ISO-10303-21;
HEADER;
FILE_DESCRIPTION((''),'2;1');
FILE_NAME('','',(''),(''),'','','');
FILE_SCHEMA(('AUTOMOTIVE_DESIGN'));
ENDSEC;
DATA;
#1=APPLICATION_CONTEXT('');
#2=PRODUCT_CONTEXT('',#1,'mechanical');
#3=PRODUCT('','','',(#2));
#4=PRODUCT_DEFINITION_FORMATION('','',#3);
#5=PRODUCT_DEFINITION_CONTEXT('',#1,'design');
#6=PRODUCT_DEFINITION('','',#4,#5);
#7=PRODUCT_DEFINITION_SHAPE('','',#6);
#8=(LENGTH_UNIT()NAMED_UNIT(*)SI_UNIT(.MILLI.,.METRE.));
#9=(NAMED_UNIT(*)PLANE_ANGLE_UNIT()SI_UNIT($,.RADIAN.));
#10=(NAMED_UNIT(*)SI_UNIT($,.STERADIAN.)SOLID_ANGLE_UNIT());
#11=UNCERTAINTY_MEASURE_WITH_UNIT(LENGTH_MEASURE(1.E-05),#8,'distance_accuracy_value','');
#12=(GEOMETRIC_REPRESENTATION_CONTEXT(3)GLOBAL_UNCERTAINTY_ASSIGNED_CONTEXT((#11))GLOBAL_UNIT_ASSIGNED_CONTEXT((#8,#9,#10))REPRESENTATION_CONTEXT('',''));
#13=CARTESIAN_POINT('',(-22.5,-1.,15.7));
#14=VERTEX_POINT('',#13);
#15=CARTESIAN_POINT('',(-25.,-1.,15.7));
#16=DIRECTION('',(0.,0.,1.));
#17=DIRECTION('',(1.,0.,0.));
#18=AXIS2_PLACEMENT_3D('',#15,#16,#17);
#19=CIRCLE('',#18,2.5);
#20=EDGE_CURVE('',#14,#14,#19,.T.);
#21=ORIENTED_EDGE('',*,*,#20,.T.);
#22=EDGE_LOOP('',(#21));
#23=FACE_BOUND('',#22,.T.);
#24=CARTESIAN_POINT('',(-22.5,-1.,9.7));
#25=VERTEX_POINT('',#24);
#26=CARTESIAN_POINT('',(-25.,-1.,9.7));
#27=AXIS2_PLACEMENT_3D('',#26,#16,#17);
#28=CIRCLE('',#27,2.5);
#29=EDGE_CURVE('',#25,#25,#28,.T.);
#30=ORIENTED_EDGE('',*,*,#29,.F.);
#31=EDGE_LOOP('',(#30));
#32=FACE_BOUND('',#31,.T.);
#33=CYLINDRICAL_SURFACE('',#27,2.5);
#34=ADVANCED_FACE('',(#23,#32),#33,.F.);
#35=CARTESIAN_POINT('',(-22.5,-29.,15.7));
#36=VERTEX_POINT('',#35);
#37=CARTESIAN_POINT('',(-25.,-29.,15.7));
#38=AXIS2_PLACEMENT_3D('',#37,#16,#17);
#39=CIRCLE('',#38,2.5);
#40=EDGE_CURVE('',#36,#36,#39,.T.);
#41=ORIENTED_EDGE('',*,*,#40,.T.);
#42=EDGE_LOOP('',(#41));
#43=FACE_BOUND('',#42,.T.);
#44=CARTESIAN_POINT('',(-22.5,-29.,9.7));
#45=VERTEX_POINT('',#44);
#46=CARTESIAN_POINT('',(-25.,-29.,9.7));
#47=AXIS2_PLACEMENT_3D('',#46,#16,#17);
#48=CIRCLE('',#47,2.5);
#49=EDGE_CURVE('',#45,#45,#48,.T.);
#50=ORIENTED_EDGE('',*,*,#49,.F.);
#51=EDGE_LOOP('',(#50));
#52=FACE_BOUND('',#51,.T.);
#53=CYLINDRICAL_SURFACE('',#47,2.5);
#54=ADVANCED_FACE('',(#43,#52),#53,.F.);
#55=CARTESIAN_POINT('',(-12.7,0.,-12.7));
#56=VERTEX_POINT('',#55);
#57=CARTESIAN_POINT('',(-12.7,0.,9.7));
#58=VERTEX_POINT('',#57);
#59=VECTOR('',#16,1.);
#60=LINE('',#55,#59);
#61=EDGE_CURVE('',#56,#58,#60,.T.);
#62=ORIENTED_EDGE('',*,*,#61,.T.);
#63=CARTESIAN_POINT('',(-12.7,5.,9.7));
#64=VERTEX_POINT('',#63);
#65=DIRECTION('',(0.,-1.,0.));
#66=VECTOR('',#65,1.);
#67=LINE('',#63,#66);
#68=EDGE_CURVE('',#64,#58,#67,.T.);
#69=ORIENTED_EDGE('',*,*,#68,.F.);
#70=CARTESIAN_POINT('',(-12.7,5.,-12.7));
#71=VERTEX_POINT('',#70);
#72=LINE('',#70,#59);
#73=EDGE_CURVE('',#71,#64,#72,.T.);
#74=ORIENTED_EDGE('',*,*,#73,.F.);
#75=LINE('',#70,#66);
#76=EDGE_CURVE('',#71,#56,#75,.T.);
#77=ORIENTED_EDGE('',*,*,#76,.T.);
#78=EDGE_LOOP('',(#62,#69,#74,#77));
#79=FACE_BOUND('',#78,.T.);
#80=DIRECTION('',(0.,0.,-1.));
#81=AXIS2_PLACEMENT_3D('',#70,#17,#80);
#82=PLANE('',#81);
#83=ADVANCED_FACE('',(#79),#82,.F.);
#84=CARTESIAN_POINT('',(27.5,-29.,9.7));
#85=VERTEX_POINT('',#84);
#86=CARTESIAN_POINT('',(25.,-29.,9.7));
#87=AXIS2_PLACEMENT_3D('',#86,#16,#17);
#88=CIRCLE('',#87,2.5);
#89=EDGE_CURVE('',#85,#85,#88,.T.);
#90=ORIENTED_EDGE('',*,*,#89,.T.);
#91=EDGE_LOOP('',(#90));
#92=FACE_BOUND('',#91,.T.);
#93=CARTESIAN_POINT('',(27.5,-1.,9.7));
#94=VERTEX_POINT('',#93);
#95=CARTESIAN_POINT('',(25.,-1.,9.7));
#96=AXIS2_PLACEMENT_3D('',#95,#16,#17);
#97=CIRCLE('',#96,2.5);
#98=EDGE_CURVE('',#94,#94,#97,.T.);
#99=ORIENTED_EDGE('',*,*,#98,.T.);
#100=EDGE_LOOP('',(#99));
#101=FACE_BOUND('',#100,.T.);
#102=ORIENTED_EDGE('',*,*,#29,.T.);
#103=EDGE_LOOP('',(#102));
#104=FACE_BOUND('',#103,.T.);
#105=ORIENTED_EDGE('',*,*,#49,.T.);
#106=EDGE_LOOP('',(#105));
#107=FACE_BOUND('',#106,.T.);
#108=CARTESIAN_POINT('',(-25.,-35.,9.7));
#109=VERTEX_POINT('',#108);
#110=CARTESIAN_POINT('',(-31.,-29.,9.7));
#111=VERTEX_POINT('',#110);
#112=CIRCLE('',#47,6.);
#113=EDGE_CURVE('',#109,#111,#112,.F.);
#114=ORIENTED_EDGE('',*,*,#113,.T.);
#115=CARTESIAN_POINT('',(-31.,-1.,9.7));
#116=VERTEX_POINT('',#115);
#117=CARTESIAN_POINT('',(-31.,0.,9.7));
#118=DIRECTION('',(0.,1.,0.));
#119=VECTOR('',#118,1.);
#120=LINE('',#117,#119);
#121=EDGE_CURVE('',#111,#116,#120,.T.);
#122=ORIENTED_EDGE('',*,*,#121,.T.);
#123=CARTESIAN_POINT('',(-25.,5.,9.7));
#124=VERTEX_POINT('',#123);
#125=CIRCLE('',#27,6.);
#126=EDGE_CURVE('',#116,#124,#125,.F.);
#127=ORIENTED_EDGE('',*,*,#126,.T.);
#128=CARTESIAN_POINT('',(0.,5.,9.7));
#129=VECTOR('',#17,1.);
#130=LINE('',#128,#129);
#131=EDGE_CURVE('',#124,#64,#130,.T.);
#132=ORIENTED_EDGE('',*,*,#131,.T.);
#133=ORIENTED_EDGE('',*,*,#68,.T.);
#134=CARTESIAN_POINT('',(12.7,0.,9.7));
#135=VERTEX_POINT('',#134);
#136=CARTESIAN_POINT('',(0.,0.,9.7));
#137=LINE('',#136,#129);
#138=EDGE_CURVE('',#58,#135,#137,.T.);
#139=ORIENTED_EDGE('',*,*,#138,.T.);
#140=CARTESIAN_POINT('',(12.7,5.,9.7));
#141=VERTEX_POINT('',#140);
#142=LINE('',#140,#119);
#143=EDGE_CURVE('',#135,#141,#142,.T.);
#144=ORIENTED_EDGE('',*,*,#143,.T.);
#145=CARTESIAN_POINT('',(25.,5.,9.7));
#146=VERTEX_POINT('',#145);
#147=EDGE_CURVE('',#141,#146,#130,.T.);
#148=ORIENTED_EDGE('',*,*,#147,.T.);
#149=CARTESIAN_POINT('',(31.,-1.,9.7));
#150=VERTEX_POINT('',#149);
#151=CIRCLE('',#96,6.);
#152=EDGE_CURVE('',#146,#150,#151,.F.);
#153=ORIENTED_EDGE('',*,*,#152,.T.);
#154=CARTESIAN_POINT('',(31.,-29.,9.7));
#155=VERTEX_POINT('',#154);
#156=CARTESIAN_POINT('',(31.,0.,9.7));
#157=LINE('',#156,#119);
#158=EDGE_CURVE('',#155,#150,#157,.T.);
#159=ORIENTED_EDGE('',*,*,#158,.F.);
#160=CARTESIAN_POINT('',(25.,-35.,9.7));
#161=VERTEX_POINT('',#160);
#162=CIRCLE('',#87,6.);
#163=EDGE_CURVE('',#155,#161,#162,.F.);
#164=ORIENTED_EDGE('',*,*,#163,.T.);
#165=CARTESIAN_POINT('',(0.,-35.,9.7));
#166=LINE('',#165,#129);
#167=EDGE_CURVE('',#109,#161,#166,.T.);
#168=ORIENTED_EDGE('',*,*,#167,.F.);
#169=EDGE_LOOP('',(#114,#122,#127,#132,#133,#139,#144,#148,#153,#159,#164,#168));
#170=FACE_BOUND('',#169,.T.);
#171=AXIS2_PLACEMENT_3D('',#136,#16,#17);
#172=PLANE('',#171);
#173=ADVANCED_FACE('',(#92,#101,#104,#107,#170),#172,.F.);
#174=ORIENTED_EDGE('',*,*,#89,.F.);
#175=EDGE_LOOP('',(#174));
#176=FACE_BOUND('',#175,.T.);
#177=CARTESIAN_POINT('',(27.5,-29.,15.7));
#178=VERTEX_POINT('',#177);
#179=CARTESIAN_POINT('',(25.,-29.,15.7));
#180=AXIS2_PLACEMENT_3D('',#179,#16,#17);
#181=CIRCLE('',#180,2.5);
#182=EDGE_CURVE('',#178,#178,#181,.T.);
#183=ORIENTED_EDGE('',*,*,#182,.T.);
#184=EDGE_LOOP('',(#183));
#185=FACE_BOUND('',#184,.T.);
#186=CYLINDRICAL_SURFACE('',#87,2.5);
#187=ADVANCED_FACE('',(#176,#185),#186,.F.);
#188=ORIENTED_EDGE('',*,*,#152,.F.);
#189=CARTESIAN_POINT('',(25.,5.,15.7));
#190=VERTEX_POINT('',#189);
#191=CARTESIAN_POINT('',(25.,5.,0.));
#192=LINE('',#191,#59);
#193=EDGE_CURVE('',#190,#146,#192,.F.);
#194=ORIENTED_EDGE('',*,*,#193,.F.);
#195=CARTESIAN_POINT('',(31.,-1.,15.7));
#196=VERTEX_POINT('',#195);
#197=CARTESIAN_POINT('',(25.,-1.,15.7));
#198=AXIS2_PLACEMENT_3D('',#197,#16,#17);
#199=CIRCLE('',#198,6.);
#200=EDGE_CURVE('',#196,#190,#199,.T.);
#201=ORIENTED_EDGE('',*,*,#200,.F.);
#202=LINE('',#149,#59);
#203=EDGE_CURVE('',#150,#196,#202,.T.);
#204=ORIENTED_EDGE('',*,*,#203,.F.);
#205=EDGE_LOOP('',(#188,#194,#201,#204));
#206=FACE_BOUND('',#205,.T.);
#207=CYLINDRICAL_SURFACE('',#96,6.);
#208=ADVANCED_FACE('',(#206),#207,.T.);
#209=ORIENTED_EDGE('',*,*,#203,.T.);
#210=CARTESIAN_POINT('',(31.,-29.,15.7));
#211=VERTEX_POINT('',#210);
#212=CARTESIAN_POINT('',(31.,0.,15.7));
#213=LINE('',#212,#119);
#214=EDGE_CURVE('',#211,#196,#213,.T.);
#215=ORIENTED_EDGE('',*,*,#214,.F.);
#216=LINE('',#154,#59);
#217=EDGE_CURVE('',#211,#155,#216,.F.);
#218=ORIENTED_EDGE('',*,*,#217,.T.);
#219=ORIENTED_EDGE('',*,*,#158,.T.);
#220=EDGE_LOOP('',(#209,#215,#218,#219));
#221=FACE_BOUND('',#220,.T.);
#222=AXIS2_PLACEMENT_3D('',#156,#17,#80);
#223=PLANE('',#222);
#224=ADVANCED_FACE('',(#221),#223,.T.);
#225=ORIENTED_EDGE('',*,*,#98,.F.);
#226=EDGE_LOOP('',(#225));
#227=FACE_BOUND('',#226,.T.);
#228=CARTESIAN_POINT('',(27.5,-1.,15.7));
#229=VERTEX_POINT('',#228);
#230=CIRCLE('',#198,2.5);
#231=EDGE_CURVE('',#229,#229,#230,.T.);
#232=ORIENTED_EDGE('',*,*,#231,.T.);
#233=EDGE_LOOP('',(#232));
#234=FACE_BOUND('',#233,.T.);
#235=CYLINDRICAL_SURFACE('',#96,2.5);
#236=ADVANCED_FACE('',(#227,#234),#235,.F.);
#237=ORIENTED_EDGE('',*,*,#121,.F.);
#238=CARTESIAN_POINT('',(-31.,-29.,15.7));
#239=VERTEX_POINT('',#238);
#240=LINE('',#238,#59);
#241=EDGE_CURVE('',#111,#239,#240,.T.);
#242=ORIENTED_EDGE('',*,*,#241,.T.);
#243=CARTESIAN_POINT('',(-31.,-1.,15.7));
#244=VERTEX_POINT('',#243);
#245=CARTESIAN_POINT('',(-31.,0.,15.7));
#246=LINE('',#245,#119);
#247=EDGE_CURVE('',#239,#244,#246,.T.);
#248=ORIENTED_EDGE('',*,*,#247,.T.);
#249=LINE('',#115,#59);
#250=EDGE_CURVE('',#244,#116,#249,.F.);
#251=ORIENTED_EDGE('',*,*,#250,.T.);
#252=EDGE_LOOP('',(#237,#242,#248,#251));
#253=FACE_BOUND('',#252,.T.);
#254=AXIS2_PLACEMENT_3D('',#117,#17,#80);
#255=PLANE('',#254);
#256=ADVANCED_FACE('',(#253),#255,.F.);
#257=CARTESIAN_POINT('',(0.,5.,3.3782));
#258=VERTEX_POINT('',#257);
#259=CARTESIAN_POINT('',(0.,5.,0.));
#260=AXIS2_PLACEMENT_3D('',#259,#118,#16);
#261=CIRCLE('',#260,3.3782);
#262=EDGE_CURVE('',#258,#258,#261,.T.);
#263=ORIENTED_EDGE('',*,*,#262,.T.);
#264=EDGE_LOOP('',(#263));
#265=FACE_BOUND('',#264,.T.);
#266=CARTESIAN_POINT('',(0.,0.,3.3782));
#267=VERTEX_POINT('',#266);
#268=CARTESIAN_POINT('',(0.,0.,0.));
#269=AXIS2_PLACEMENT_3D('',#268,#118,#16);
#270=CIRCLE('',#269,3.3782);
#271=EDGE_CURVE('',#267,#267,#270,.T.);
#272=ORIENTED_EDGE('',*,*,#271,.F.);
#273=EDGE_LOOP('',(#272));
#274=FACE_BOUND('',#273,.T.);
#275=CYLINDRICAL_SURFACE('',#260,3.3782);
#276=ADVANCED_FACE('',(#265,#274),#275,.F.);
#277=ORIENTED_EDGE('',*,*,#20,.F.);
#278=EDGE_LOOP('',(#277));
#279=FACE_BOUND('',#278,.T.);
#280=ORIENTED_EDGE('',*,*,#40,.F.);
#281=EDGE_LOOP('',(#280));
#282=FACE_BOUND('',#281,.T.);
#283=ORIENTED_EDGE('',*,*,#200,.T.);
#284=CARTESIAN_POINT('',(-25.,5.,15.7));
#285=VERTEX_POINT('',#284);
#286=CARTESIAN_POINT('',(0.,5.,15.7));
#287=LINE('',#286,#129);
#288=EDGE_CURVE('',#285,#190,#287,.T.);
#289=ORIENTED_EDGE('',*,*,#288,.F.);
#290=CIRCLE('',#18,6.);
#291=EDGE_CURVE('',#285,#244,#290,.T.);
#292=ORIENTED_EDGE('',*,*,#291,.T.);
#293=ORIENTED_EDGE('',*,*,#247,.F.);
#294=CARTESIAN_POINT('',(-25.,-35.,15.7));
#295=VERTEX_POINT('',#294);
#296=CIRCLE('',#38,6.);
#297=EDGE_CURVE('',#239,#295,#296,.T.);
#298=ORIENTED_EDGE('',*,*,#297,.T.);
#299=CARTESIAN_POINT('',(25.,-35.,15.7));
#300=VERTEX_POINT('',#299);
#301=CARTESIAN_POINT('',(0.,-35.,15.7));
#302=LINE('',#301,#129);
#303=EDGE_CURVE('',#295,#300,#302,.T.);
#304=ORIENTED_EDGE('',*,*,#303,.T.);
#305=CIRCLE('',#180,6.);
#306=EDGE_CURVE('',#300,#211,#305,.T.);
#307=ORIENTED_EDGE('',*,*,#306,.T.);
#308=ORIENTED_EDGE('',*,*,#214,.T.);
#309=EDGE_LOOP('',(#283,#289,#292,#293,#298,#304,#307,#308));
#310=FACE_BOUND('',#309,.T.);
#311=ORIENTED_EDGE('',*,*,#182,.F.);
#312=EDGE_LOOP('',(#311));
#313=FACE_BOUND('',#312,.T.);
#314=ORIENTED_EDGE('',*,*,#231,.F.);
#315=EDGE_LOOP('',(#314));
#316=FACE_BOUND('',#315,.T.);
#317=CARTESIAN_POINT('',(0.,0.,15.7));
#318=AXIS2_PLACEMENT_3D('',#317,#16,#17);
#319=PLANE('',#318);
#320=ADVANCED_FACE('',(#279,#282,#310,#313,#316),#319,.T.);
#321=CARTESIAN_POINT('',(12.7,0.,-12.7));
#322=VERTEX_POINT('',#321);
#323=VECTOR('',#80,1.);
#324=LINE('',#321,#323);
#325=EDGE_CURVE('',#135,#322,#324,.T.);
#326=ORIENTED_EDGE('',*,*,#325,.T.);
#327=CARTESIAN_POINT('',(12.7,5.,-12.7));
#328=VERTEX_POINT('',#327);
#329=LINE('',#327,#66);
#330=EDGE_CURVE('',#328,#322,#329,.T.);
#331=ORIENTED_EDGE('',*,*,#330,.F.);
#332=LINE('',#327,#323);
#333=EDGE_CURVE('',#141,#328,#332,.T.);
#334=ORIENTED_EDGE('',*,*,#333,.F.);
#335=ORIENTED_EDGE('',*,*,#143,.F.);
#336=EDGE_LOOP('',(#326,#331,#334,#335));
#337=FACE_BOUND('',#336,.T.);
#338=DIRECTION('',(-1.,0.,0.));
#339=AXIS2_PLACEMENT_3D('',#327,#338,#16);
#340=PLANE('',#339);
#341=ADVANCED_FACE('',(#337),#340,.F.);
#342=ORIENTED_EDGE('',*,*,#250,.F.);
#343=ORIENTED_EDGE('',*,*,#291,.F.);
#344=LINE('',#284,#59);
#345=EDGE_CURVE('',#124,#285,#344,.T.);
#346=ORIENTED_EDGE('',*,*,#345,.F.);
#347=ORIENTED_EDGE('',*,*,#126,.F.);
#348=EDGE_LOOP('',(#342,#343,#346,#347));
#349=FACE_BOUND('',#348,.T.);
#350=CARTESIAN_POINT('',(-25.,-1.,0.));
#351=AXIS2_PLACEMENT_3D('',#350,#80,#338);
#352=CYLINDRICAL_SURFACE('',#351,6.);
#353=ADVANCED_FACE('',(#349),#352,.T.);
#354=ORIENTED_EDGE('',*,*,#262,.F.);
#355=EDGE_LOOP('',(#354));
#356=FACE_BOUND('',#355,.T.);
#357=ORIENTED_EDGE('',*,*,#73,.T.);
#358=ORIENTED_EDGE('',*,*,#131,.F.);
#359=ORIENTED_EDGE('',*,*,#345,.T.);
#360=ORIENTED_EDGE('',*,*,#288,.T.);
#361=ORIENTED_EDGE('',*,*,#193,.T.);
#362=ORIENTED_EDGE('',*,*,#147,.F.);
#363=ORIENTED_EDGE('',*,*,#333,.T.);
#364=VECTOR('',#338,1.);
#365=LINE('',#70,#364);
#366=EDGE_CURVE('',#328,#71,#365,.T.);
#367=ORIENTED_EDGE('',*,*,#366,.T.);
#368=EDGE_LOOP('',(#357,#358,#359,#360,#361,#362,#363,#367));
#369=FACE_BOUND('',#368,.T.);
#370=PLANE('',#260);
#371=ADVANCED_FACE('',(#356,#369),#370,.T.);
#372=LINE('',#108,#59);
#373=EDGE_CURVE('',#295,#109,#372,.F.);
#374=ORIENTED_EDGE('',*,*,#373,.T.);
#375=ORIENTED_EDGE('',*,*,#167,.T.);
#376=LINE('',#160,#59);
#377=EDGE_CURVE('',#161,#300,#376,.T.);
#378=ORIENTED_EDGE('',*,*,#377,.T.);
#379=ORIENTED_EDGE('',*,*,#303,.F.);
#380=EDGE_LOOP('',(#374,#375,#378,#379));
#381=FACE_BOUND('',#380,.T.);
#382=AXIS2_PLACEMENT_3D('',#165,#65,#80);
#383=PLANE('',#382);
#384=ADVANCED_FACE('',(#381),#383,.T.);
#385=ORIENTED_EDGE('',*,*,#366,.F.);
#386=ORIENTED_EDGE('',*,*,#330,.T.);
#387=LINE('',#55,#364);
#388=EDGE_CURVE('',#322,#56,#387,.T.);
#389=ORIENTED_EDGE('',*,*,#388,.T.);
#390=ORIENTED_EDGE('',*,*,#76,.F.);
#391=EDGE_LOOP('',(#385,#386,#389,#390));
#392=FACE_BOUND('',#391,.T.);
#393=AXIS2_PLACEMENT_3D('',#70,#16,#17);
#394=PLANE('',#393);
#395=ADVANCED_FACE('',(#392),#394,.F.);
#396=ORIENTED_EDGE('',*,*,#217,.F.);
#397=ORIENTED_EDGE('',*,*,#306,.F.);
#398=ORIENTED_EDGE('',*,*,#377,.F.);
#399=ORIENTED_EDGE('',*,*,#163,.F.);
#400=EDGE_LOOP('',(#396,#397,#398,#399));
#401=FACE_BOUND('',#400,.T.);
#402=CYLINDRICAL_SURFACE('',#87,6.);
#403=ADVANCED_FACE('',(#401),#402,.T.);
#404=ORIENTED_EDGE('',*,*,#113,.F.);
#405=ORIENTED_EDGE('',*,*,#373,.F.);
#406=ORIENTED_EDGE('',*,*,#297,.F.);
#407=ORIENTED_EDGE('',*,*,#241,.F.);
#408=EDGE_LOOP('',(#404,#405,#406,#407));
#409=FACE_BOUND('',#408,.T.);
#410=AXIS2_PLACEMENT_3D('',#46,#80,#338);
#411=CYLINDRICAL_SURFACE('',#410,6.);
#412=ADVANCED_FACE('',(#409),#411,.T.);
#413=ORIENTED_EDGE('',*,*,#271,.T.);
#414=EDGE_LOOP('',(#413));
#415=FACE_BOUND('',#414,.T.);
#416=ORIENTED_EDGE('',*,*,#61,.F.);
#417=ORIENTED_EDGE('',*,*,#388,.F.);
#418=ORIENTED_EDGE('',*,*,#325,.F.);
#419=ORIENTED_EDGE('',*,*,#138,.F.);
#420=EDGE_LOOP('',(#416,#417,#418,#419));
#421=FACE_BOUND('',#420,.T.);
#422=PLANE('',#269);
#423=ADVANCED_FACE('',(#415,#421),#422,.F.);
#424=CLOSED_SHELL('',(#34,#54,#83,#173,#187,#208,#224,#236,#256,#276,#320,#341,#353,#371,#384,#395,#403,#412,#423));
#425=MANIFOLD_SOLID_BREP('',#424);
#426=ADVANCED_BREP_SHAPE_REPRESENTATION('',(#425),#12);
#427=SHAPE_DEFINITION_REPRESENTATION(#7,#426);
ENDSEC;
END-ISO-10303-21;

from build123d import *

# Parameters (mm, degrees)
SKETCH1_W               = 25.4
SKETCH1_H               = 25.4
BOSS_EXTRUDE1_DEPTH     = 5
F_1_4_CLEARANCE_HOLE1_D = 6.7564
SKETCH4_R               = 2.5
SKETCH4_W               = 25.4
SKETCH4_H               = 5
BOSS_EXTRUDE2_DEPTH     = 3
FILLET1_R               = 6


with BuildPart() as part:
    # Sketch1 → Boss-Extrude1 (new body)
    with BuildSketch(Plane(origin=(0, 0, 0), x_dir=(1, 0, 0), z_dir=(0, 1, 0))):
        Rectangle(SKETCH1_W, SKETCH1_H)
    extrude(amount=BOSS_EXTRUDE1_DEPTH)

    # 1/4 Clearance Hole1 (through all)
    with Locations(Plane(origin=(0, 5, 0), x_dir=(1, 0, 0), z_dir=(0, 1, 0))):
        with Locations((0, 0)):
            Hole(F_1_4_CLEARANCE_HOLE1_D / 2)

    # Sketch4 → Boss-Extrude2 (add, symmetric)
    # profile 1 of 2: a face of its own
    with BuildSketch(Plane.XY.offset(12.7)):
        Polygon((-31, 5), (-31, -35), (31, -35), (31, 5), (12.7, 5), (12.7, 0), (-12.7, 0), (-12.7, 5), align=None)
        with Locations((-25, -29)):
            Circle(SKETCH4_R, mode=Mode.SUBTRACT)
        with Locations((25, -29)):
            Circle(SKETCH4_R, mode=Mode.SUBTRACT)
        with Locations((-25, -1)):
            Circle(SKETCH4_R, mode=Mode.SUBTRACT)
        with Locations((25, -1)):
            Circle(SKETCH4_R, mode=Mode.SUBTRACT)
    # profile 2 of 2: a face of its own
    with BuildSketch(Plane.XY.offset(12.7)):
        with Locations((0, 2.5)):
            Rectangle(SKETCH4_W, SKETCH4_H)
    extrude(amount=BOSS_EXTRUDE2_DEPTH, both=True)

    # Fillet1
    fillet1_edges = [part.edges().sort_by_distance(p)[0] for p in [
        (-31, 5, 12.7),
        (31, 5, 12.7),
        (31, -35, 12.7),
        (-31, -35, 12.7),
    ]]
    fillet(fillet1_edges, radius=FILLET1_R)


solid = part.part
